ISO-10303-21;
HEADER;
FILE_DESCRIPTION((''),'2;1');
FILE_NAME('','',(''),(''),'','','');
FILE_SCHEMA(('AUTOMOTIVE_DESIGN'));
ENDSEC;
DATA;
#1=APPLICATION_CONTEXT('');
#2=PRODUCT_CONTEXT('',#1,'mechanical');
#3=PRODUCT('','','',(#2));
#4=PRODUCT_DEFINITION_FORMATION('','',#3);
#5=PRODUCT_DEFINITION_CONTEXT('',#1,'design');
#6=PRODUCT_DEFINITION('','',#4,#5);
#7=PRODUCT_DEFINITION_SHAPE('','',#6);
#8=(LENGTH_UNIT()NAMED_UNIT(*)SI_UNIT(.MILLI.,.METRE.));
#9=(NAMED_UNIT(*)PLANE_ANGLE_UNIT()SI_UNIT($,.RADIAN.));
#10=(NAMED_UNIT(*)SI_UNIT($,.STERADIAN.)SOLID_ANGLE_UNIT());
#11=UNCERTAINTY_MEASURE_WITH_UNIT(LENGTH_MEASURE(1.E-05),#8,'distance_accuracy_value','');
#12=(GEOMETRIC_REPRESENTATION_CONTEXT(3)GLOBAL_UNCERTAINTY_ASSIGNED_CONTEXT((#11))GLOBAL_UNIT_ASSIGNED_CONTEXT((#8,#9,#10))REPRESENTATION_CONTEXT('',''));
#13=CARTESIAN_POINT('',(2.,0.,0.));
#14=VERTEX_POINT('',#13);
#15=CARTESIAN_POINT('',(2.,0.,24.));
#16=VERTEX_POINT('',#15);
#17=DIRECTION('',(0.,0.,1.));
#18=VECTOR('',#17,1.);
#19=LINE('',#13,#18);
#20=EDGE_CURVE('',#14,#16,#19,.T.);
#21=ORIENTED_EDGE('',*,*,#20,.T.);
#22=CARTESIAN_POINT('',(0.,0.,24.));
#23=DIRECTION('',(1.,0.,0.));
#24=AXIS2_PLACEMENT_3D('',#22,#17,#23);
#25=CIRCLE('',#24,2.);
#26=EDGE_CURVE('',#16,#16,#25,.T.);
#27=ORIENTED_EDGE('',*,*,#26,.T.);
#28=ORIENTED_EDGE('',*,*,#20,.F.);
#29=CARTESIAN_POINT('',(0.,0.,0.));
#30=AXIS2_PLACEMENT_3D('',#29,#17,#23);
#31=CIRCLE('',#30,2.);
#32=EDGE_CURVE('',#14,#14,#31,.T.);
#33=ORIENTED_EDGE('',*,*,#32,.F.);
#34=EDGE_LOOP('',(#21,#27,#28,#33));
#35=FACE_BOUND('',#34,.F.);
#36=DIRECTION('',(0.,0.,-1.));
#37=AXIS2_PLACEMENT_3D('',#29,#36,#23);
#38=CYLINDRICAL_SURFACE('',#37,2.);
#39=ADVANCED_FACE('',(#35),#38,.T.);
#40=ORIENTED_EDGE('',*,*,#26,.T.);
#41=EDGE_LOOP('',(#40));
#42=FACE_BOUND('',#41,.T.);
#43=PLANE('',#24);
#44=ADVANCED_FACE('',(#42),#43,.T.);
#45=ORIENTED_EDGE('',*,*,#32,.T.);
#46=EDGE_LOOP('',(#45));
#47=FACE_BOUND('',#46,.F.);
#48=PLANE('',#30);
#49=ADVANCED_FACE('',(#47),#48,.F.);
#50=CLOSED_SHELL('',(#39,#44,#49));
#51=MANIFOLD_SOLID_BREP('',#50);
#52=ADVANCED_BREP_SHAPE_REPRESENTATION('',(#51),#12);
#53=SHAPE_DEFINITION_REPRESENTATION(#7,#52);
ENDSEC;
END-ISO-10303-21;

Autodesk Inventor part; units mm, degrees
ref_plane "YZ Plane" through (0, 0, 0) normal (1, 0, 0) x (0, 1, 0)
ref_plane "XZ Plane" through (0, 0, 0) normal (0, 1, 0) x (-1, 0, 0)
ref_plane "XY Plane" through (0, 0, 0) normal (0, 0, 1) x (1, 0, 0)
sketch "Skizze1" plane through (0, 0, 0) normal (0, 0, 1) x (1, 0, 0)
  circle A0 centre (0, 0) radius 2
  dimension "d0" = 24
extrude "Extrusion1" add sketch "Skizze1" along normal blind 24
properties part number "Index_Pin"
